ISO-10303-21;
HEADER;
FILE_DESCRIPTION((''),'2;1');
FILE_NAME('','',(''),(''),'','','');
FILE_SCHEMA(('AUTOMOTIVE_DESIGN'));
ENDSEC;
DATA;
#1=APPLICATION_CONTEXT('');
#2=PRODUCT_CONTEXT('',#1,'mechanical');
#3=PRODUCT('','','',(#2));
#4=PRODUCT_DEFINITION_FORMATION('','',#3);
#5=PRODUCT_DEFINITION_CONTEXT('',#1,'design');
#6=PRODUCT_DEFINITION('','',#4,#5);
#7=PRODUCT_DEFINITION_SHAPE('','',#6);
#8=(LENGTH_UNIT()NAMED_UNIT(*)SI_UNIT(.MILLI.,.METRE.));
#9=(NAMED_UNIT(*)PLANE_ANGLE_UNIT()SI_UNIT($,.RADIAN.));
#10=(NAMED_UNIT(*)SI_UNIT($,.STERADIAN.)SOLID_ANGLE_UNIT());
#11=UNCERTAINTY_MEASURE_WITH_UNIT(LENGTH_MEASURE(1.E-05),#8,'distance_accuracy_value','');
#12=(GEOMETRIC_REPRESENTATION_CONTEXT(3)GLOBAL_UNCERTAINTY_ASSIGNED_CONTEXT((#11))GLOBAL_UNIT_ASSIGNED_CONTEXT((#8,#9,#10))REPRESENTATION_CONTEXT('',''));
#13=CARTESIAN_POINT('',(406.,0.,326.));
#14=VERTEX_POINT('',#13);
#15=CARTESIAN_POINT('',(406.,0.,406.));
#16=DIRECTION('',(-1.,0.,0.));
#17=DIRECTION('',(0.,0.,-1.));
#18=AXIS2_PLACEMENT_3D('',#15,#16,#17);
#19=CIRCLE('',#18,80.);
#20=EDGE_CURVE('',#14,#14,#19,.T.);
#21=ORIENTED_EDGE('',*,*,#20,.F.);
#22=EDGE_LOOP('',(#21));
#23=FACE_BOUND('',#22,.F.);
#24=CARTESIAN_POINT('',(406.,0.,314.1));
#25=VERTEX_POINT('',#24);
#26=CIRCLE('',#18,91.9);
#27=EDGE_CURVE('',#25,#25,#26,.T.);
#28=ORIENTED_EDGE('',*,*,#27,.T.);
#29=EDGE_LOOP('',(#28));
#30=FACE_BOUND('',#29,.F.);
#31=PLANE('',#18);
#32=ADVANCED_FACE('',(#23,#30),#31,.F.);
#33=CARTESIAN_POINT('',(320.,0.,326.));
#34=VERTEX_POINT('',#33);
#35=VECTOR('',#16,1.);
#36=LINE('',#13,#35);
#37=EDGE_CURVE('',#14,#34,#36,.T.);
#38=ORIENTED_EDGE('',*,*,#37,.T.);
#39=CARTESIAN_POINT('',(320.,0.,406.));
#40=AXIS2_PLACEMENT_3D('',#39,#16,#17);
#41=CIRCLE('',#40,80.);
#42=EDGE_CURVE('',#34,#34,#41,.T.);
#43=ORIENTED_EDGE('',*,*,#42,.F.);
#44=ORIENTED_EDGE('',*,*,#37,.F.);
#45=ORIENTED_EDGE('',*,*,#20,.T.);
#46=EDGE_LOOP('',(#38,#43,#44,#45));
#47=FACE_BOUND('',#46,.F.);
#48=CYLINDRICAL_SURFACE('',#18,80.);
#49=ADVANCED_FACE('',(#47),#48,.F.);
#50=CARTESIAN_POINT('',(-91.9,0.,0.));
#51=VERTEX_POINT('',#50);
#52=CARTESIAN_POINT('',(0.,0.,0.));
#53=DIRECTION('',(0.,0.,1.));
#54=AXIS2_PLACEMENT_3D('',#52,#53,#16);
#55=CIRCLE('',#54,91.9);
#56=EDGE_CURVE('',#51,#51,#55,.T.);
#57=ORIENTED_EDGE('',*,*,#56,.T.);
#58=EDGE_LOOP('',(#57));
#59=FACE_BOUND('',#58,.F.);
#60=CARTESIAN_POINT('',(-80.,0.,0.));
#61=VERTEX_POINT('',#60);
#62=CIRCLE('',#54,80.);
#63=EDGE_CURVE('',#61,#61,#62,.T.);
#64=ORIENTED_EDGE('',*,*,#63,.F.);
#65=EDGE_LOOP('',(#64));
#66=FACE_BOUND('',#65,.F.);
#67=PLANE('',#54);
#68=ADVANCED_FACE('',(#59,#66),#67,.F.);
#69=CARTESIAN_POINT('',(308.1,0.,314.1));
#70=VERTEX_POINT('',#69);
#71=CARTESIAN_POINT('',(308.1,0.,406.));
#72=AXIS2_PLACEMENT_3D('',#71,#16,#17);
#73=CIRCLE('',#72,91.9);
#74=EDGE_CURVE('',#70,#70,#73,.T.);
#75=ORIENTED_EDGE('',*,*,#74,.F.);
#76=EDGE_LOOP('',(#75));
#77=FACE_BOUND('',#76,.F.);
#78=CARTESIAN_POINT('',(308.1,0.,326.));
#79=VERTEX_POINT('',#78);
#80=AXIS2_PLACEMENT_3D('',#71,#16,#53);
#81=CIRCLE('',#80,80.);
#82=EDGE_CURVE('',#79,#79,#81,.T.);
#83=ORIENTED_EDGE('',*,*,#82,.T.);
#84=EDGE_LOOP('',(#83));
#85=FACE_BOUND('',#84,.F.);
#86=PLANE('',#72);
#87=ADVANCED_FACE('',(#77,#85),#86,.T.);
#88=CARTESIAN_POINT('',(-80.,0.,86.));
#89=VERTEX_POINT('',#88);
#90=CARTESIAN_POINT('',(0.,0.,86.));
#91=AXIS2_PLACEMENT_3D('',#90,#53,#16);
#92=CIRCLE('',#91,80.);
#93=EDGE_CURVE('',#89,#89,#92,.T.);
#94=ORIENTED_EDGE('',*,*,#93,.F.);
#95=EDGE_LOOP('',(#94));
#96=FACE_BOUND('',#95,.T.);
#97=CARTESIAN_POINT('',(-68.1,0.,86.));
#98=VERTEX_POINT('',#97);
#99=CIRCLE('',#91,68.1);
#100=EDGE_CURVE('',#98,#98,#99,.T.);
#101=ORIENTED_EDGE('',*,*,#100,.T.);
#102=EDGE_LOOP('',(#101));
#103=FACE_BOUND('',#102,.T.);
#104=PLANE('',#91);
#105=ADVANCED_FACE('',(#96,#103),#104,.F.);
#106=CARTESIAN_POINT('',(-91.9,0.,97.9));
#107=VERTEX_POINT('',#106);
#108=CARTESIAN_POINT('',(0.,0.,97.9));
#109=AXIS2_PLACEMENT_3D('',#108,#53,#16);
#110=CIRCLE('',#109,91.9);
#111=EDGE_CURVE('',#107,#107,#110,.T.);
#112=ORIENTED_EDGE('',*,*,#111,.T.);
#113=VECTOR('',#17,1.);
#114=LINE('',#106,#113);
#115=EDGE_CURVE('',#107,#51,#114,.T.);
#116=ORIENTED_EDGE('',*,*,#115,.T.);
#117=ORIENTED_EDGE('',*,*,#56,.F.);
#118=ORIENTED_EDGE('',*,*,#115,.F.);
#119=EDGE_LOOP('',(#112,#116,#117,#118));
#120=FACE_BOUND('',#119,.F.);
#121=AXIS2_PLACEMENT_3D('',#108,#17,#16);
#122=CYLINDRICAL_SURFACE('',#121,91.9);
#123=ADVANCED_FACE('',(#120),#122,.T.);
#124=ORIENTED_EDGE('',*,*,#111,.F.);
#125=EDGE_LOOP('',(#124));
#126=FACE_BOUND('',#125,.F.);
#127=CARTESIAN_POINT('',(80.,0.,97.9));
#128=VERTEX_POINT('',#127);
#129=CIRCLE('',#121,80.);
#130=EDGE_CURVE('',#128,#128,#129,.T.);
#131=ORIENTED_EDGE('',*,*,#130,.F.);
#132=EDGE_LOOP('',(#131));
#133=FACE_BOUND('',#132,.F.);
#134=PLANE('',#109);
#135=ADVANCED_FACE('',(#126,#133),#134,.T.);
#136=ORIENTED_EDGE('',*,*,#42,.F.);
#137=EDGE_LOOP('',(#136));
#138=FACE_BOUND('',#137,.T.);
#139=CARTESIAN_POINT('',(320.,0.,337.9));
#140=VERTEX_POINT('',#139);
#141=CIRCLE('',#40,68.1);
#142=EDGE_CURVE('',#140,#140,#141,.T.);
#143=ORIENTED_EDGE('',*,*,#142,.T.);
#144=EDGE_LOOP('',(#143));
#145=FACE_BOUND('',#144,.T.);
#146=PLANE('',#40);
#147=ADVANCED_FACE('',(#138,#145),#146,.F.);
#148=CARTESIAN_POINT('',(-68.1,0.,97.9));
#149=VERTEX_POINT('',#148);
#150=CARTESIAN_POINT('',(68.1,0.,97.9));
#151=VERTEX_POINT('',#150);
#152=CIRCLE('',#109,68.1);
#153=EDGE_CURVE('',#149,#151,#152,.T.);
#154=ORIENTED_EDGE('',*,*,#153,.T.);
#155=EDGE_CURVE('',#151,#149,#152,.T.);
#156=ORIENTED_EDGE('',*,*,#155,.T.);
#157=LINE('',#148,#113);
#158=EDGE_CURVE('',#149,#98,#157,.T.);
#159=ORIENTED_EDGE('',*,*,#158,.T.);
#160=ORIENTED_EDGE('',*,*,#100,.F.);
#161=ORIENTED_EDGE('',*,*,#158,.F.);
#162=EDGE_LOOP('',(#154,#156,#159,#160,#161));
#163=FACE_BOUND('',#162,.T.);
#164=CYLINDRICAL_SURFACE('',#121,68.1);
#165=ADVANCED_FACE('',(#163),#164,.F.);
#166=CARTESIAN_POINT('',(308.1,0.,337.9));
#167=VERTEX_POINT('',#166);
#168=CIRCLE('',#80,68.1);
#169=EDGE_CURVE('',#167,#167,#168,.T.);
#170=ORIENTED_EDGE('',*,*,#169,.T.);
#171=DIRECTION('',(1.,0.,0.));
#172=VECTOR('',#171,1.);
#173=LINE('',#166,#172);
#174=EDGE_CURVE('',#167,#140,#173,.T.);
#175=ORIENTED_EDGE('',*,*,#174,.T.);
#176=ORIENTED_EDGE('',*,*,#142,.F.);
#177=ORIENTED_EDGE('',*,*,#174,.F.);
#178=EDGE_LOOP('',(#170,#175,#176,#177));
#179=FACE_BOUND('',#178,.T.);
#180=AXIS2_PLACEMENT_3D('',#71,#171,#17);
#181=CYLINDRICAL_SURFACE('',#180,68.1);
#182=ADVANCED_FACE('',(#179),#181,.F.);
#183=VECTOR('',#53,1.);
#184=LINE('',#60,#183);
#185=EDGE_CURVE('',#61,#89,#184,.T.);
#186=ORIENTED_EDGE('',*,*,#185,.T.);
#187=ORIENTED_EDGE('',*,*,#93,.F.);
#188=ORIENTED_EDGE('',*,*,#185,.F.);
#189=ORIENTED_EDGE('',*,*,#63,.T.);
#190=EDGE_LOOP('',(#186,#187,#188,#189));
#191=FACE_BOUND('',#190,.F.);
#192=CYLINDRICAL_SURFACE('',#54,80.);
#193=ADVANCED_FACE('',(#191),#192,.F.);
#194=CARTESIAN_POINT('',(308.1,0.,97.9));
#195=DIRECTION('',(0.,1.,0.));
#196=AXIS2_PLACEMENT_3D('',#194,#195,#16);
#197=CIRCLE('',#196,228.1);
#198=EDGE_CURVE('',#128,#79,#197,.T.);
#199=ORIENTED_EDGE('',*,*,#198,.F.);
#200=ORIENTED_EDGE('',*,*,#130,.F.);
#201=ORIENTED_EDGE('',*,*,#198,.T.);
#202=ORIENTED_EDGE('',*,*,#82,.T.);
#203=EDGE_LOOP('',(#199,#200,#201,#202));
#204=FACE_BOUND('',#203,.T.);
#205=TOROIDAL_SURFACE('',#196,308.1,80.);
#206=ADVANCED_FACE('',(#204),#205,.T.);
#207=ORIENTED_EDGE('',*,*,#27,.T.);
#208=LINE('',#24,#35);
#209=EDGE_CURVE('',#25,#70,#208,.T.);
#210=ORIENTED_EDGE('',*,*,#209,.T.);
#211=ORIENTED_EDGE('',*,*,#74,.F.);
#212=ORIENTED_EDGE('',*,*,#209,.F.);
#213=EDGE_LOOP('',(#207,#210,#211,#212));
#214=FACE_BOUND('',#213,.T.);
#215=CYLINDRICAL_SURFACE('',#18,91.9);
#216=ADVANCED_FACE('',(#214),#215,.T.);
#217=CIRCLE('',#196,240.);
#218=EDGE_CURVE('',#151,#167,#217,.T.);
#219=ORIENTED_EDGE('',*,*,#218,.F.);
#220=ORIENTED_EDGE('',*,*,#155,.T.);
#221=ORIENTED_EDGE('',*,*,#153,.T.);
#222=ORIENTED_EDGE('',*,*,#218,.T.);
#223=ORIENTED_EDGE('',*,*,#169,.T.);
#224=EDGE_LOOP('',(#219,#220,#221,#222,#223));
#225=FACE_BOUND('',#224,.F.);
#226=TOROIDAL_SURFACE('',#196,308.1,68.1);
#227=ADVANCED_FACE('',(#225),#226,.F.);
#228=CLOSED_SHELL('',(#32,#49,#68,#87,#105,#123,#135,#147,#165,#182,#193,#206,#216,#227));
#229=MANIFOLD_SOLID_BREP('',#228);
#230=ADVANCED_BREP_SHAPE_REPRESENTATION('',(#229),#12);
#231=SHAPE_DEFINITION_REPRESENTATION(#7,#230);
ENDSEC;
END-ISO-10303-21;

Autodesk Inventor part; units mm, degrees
ref_plane "YZ Plane" through (0, 0, 0) normal (1, 0, 0) x (0, 1, 0)
ref_plane "XZ Plane" through (0, 0, 0) normal (0, 1, 0) x (-1, 0, 0)
ref_plane "XY Plane" through (0, 0, 0) normal (0, 0, 1) x (1, 0, 0)
sketch "Sketch1" plane through (0, 0, 0) normal (0, 1, 0) x (-1, 0, 0)
  line L0 (0, 0) -> (0, 97.9)
  line L1 (68.1, 97.9) -> (91.9, 97.9)
  line L2 (0, 97.9) -> (68.1, 97.9) construction
  line L3 (91.9, 97.9) -> (91.9, 0)
  line L4 (91.9, 0) -> (80, 0)
  line L5 (80, 0) -> (80, 86)
  line L6 (80, 0) -> (0, 0) construction
  line L7 (-406, 406) -> (-308.1, 406)
  line L8 (-308.1, 406) -> (-308.1, 337.9) construction
  line L9 (-406, 314.1) -> (-406, 326)
  line L10 (-406, 326) -> (-320, 326)
  line L11 (-406, 326) -> (-406, 406) construction
  line L12 (-308.1, 406) -> (0, 406) construction
  line L13 (0, 406) -> (0, 97.9) construction
  line L14 (68.1, 97.9) -> (68.1, 86)
  line L15 (68.1, 86) -> (80, 86)
  line L16 (-308.1, 337.9) -> (-320, 337.9)
  line L17 (-320, 337.9) -> (-320, 326)
  line L18 (-406, 314.1) -> (-308.1, 314.1)
  line L19 (-308.1, 337.9) -> (-308.1, 314.1)
  line L20 (-320, 337.9) -> (-320, 406) construction
  line L21 (68.1, 86) -> (0, 86) construction
  dimension "d0" = 160
  dimension "d1" = 11.9
  dimension "d2" = 86
  dimension "d4" = 136.2
  dimension "d6" = 160
  dimension "d7" = 136.2
  dimension "d10" = 11.9
  dimension "d11" = 11.9
  dimension "d12" = 86
  dimension "d14" = 320
  dimension "d15" = 320
  dimension "d16" = 11.9
revolve "Revolution1" add sketch "Sketch1" angle 360 about axis through (0, 0, 0) along (0, 0, 1) contours L1 L3 L4 L5 L15 L14
sketch "Sketch2" plane through (0, 0, 0) normal (0, 1, 0) x (-1, 0, 0)
  line L0 (0, 97.9) -> (0, 406) construction
  line L1 (0, 406) -> (-308.1, 406) construction
  arc A0 (0, 97.9) -> (-308.1, 406) centre (-308.1, 97.9) ccw
  line L2 (-91.9, 97.9) -> (91.9, 97.9) projected
  dimension "d8" = 308.1
  dimension "d9" = 308.1
sketch "Sketch3" plane through (0, 0, 97.9) normal (0, 0, 1) x (1, 0, 0)
  circle A0 centre (0, 0) radius 80
  circle A1 centre (0, 0) radius 80
  circle A2 centre (0, 0) radius 68.1 projected
  circle A3 centre (0, 0) radius 68.1
  dimension "d13" = 160
sweep "Sweep1" add profiles "Sketch3" path "Sketch2" path curves A0
revolve "Revolution2" add sketch "Sketch1" angle 360 about axis through (406, 0, 406) along (-1, 0, 0) contours L9 L10 L17 L16 L19 L18
equation "\"d0\" = D1"
equation "\"d1\" = S"
equation "\"d2\" = T"
equation "\"d4\" = D1 - 2 * S"
equation "\"d6\" = D1"
equation "\"d7\" = D1 - 2 * S"
equation "\"d10\" = S"
equation "\"d11\" = S"
equation "\"d12\" = T"
equation "\"d14\" = Z"
equation "\"d15\" = Z"
equation "\"d16\" = S"
equation "\"d8\" = Z - S"
equation "\"d9\" = Z - S"
equation "\"d13\" = D1"
equation "\"D1\" = 160"
equation "\"T\" = 86"
equation "\"Z\" = 320"
equation "\"S\" = 11.9"
properties part number "DIN 8063 Колено 90 градусов, тип B 160" material "ПВХ, непластифицированный"
